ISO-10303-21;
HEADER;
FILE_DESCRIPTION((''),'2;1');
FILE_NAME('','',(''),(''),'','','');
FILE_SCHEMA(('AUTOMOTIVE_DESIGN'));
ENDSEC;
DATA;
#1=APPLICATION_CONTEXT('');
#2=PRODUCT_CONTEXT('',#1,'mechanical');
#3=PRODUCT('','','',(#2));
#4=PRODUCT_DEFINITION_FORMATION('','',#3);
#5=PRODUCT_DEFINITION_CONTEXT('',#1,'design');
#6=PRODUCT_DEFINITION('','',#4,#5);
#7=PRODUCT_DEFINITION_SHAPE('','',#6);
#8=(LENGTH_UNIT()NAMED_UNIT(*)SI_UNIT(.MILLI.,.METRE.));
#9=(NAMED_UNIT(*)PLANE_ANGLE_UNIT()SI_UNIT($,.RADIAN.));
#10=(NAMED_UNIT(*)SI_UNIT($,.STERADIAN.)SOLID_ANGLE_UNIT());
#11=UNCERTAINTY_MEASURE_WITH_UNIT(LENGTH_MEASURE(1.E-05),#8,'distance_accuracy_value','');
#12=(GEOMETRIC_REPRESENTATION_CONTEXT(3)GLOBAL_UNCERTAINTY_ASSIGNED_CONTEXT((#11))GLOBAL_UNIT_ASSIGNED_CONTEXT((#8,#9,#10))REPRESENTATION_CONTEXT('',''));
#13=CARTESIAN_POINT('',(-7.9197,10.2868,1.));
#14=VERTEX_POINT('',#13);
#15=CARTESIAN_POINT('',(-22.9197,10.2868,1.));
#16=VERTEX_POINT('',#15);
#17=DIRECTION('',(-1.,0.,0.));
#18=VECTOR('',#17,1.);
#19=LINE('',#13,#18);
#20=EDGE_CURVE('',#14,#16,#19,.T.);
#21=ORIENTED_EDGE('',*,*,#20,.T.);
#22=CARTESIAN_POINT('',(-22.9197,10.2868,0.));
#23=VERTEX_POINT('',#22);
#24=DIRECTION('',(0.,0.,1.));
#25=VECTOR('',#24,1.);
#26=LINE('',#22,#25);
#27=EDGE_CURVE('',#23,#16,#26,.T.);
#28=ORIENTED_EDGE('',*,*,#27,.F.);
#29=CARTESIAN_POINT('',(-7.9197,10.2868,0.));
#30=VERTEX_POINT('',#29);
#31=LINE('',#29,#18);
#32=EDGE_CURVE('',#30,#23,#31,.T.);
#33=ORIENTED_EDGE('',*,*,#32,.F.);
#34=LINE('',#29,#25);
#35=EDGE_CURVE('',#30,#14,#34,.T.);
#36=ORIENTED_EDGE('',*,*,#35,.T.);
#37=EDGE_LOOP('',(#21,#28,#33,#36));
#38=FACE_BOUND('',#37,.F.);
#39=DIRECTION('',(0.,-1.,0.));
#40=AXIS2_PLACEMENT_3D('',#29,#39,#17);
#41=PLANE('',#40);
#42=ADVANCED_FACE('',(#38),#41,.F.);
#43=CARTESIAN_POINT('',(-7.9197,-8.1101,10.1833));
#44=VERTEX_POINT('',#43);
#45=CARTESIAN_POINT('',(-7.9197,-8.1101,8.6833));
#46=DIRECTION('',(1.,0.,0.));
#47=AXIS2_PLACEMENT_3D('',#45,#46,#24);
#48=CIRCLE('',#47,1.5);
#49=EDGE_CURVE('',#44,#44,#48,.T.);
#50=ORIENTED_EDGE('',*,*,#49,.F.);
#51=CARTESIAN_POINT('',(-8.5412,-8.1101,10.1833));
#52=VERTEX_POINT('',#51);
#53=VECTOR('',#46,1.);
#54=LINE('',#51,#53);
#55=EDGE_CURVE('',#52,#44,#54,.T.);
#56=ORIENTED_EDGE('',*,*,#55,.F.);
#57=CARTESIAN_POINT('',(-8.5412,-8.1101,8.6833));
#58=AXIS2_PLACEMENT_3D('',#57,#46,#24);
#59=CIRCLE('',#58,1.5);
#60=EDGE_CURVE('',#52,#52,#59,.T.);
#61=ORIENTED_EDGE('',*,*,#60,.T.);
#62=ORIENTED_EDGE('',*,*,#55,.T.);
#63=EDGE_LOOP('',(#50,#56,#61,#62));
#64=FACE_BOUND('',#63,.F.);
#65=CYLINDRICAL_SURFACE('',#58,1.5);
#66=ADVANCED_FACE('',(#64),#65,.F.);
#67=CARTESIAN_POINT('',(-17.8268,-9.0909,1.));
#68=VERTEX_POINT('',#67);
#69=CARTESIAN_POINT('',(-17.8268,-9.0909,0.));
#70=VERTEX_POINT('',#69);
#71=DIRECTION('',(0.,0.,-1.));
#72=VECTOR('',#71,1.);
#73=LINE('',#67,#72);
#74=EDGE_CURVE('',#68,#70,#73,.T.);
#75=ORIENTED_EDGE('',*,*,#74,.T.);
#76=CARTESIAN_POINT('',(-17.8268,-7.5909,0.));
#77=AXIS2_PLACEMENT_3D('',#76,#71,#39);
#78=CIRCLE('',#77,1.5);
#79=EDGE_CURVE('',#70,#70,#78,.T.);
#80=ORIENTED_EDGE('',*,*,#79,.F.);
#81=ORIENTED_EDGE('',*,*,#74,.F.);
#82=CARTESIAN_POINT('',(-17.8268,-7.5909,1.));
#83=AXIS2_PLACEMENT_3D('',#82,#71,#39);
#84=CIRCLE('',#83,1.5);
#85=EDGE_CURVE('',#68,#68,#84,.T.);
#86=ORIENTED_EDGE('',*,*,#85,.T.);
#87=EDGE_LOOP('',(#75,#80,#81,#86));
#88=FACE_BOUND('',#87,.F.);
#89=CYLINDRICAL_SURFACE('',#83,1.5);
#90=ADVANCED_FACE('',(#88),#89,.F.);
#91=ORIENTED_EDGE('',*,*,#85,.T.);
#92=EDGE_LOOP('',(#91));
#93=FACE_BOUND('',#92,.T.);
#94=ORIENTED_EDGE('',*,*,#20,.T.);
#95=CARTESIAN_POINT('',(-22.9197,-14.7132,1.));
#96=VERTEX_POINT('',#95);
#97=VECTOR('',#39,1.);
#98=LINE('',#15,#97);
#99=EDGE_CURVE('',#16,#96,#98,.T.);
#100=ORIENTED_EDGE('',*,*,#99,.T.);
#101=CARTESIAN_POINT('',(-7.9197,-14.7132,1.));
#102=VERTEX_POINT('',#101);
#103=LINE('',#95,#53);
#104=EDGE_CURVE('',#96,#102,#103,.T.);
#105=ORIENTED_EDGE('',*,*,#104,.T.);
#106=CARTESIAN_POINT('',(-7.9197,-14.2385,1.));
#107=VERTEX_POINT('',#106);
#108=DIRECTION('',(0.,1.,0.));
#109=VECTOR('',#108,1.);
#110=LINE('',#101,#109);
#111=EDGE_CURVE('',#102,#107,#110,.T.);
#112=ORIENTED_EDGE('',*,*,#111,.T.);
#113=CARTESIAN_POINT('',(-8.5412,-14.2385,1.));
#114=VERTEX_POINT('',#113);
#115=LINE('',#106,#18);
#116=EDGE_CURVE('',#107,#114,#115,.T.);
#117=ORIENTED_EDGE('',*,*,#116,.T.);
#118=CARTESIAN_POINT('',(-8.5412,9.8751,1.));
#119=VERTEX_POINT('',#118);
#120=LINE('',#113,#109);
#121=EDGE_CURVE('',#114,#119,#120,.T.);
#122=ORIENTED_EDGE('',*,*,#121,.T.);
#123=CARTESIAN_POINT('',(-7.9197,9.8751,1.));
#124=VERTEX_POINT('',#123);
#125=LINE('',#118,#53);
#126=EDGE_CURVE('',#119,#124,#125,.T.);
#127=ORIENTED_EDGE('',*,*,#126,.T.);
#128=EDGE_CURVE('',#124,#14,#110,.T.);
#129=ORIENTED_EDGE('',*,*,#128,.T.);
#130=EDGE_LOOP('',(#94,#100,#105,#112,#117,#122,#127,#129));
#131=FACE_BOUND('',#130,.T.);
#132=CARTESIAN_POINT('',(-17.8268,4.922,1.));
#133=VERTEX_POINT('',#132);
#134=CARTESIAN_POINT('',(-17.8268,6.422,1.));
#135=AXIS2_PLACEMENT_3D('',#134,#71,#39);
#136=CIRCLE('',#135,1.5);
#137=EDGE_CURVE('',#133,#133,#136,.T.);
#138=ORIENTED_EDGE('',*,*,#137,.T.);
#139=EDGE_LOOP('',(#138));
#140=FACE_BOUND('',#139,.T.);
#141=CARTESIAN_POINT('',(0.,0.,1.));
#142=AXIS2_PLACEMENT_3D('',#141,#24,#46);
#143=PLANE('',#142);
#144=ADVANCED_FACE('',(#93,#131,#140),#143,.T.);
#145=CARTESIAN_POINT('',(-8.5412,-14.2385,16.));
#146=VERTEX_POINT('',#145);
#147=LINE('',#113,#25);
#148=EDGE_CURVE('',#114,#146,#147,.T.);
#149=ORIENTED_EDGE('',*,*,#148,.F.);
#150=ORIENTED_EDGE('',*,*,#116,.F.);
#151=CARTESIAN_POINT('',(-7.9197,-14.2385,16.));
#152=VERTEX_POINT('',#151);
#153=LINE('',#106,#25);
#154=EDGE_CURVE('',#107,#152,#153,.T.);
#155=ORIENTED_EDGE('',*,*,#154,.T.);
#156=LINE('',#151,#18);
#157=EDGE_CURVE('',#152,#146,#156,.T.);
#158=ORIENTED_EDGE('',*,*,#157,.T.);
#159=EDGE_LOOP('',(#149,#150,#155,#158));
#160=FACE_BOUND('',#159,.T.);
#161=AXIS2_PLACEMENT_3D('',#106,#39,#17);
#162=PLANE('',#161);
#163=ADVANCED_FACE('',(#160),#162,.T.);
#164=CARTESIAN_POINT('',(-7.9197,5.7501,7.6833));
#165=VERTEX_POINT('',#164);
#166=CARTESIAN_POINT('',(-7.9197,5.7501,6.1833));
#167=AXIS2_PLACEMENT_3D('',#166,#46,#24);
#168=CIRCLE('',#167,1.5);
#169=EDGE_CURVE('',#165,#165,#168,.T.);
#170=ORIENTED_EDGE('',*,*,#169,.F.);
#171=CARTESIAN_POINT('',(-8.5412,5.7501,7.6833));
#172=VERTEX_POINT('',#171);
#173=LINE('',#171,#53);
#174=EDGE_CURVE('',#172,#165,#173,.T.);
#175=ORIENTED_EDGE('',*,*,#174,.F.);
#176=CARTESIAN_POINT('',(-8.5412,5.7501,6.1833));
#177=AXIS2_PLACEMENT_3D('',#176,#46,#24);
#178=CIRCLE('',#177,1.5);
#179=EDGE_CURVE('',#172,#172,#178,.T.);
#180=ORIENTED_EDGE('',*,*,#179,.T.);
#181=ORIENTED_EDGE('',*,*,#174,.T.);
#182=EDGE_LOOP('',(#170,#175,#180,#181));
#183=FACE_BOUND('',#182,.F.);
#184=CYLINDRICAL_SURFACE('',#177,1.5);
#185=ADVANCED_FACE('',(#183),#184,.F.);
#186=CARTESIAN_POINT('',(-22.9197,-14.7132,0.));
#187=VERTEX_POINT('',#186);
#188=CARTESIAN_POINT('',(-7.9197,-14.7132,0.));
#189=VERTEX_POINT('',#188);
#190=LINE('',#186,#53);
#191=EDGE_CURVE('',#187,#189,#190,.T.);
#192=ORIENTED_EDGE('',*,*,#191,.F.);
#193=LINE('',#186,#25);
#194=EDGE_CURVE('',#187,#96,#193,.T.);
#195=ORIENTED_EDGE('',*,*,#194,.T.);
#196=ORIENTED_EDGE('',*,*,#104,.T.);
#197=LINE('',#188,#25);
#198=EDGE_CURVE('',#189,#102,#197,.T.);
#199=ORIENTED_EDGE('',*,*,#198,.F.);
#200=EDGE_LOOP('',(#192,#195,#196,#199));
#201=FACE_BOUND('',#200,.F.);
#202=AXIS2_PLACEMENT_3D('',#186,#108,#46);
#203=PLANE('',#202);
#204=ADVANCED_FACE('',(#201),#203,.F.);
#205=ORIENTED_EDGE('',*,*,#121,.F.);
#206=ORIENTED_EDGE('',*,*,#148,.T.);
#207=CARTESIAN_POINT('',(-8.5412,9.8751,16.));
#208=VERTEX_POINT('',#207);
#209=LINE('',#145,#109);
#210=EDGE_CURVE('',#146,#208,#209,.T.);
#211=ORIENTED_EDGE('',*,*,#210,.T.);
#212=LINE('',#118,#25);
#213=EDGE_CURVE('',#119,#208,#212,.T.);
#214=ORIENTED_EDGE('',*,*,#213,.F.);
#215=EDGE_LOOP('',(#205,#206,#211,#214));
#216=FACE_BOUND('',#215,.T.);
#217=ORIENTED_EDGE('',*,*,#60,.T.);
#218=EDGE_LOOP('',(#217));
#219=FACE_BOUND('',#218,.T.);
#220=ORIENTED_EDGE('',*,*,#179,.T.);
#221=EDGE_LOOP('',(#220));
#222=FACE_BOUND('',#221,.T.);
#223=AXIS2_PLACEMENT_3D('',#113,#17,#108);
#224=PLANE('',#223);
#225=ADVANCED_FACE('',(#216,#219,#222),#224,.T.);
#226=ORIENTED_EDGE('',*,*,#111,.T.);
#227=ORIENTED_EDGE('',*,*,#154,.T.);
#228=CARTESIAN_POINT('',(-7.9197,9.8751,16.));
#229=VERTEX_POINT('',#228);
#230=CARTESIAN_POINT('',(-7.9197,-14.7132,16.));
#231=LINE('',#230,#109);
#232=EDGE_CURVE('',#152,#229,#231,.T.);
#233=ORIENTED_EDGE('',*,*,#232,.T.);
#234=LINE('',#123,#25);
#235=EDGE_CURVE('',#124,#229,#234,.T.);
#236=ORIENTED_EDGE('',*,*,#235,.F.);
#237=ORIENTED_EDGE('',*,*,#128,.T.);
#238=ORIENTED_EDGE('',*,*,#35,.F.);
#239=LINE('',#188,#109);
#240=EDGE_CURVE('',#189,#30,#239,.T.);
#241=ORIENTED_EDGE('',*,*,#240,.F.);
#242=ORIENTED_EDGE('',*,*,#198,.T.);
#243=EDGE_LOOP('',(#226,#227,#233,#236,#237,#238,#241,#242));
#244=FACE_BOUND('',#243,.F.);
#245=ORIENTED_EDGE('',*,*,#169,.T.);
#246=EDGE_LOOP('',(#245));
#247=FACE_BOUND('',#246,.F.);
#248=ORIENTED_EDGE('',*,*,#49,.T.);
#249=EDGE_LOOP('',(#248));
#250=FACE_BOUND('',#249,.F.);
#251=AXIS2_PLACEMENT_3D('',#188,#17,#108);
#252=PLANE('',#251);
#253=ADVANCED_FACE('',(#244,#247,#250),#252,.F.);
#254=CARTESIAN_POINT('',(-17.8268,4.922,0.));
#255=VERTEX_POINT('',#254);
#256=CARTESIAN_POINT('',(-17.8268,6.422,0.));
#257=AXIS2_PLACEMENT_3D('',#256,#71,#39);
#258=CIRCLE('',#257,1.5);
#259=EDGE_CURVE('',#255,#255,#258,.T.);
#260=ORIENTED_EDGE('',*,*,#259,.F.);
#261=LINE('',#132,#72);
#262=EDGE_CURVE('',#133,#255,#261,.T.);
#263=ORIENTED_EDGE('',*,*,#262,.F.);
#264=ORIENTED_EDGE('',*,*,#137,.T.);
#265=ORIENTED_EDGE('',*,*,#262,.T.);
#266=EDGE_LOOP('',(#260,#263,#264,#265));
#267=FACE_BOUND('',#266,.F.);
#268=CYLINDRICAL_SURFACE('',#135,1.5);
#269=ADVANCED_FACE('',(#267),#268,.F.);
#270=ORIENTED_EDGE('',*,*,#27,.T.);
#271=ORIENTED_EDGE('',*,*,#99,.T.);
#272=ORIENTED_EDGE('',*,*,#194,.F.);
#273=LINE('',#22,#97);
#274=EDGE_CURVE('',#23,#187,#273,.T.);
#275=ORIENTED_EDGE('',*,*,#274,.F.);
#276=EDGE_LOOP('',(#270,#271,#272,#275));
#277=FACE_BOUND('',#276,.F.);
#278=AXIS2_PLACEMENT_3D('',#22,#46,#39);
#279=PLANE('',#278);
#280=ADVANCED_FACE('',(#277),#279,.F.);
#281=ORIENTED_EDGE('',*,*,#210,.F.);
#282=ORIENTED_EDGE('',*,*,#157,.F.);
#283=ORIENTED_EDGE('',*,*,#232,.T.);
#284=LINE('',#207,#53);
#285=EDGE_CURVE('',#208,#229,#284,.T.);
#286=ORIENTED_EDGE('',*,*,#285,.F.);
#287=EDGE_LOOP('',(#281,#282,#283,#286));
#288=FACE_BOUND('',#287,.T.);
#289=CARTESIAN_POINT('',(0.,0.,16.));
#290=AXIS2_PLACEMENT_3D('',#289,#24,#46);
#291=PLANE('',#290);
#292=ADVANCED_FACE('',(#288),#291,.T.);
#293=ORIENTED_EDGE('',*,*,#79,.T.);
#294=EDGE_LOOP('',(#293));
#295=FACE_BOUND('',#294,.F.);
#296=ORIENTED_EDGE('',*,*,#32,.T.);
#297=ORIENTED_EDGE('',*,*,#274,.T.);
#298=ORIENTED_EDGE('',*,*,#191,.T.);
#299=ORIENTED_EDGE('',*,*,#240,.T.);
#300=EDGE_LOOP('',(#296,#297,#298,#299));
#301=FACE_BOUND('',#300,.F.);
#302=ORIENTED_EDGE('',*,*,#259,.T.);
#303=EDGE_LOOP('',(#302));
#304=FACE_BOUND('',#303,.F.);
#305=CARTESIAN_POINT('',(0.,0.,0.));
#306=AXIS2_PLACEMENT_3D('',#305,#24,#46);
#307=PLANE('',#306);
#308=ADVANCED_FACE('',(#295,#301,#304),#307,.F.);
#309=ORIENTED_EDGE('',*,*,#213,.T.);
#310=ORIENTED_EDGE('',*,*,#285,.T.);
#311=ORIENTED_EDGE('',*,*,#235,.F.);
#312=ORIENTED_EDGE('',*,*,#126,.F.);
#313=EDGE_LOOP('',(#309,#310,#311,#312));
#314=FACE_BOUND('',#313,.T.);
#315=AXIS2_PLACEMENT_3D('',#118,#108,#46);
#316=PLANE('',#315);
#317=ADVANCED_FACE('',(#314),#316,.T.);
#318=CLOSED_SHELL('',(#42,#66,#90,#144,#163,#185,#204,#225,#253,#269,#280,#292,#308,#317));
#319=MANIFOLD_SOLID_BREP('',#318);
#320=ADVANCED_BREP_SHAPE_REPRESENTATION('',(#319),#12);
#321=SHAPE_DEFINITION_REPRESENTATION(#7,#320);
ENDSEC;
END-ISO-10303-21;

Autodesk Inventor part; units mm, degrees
ref_plane "YZ Plane" through (0, 0, 0) normal (1, 0, 0) x (0, 1, 0)
ref_plane "XZ Plane" through (0, 0, 0) normal (0, 1, 0) x (-1, 0, 0)
ref_plane "XY Plane" through (0, 0, 0) normal (0, 0, 1) x (1, 0, 0)
sketch "Sketch1" plane through (0, 0, 0) normal (0, 0, 1) x (1, 0, 0)
  line L0 (-7.9197, 10.2868) -> (-22.9197, 10.2868)
  line L1 (-22.9197, 10.2868) -> (-22.9197, -14.7132)
  line L2 (-22.9197, -14.7132) -> (-7.9197, -14.7132)
  line L3 (-7.9197, -14.7132) -> (-7.9197, 10.2868)
  point P0 (0, 0)
  dimension "d0" = 15
  dimension "d1" = 25
extrude "Extrusion1" add sketch "Sketch1" along normal blind 1
sketch "Sketch2" plane through (0, 0, 1) normal (0, 0, 1) x (1, 0, 0)
  circle A0 centre (-17.8268, 6.422) radius 2.5
  circle A1 centre (-17.8268, -7.5909) radius 2.5
  point P0 (0, 0)
  dimension "d4" = 5
  dimension "d5" = 5
hole "Hole1" at (-17.8268, 6.422, 1) at (-17.8268, -7.5909, 1) direction (0, 0, -1) diameter 3 end through all
sketch "Sketch3" plane through (0, 0, 1) normal (0, 0, 1) x (1, 0, 0)
  line L0 (-22.9197, -14.7132) -> (-7.9197, -14.7132) projected
  line L1 (-7.9197, 10.2868) -> (-22.9197, 10.2868) projected
  line L2 (-7.9197, -14.7132) -> (-7.9197, 10.2868) projected
  line L3 (-8.5412, 9.8751) -> (-7.9197, 9.8751)
  line L4 (-7.9197, 9.8751) -> (-7.9197, -14.2385)
  line L5 (-7.9197, -14.2385) -> (-8.5412, -14.2385)
  line L6 (-8.5412, -14.2385) -> (-8.5412, 9.8751)
  point P0 (0, 0)
  dimension "d13" = 25
  dimension "d14" = 15
extrude "Extrusion2" add sketch "Sketch3" along normal blind 15
sketch "Sketch4" plane through (-8.5412, -14.2385, 1) normal (-1, 0, 0) x (0, 0, 1)
  circle A0 centre (5.1833, 19.9887) radius 2.5
  circle A1 centre (7.6833, 6.1285) radius 2.5
  point P0 (-1, 14.2385)
  dimension "d17" = 5
  dimension "d18" = 5
hole "Hole2" at (-8.5412, 5.7501, 6.1833) at (-8.5412, -8.1101, 8.6833) direction (1, 0, 0) diameter 3 end through all
properties part number "L angle"
